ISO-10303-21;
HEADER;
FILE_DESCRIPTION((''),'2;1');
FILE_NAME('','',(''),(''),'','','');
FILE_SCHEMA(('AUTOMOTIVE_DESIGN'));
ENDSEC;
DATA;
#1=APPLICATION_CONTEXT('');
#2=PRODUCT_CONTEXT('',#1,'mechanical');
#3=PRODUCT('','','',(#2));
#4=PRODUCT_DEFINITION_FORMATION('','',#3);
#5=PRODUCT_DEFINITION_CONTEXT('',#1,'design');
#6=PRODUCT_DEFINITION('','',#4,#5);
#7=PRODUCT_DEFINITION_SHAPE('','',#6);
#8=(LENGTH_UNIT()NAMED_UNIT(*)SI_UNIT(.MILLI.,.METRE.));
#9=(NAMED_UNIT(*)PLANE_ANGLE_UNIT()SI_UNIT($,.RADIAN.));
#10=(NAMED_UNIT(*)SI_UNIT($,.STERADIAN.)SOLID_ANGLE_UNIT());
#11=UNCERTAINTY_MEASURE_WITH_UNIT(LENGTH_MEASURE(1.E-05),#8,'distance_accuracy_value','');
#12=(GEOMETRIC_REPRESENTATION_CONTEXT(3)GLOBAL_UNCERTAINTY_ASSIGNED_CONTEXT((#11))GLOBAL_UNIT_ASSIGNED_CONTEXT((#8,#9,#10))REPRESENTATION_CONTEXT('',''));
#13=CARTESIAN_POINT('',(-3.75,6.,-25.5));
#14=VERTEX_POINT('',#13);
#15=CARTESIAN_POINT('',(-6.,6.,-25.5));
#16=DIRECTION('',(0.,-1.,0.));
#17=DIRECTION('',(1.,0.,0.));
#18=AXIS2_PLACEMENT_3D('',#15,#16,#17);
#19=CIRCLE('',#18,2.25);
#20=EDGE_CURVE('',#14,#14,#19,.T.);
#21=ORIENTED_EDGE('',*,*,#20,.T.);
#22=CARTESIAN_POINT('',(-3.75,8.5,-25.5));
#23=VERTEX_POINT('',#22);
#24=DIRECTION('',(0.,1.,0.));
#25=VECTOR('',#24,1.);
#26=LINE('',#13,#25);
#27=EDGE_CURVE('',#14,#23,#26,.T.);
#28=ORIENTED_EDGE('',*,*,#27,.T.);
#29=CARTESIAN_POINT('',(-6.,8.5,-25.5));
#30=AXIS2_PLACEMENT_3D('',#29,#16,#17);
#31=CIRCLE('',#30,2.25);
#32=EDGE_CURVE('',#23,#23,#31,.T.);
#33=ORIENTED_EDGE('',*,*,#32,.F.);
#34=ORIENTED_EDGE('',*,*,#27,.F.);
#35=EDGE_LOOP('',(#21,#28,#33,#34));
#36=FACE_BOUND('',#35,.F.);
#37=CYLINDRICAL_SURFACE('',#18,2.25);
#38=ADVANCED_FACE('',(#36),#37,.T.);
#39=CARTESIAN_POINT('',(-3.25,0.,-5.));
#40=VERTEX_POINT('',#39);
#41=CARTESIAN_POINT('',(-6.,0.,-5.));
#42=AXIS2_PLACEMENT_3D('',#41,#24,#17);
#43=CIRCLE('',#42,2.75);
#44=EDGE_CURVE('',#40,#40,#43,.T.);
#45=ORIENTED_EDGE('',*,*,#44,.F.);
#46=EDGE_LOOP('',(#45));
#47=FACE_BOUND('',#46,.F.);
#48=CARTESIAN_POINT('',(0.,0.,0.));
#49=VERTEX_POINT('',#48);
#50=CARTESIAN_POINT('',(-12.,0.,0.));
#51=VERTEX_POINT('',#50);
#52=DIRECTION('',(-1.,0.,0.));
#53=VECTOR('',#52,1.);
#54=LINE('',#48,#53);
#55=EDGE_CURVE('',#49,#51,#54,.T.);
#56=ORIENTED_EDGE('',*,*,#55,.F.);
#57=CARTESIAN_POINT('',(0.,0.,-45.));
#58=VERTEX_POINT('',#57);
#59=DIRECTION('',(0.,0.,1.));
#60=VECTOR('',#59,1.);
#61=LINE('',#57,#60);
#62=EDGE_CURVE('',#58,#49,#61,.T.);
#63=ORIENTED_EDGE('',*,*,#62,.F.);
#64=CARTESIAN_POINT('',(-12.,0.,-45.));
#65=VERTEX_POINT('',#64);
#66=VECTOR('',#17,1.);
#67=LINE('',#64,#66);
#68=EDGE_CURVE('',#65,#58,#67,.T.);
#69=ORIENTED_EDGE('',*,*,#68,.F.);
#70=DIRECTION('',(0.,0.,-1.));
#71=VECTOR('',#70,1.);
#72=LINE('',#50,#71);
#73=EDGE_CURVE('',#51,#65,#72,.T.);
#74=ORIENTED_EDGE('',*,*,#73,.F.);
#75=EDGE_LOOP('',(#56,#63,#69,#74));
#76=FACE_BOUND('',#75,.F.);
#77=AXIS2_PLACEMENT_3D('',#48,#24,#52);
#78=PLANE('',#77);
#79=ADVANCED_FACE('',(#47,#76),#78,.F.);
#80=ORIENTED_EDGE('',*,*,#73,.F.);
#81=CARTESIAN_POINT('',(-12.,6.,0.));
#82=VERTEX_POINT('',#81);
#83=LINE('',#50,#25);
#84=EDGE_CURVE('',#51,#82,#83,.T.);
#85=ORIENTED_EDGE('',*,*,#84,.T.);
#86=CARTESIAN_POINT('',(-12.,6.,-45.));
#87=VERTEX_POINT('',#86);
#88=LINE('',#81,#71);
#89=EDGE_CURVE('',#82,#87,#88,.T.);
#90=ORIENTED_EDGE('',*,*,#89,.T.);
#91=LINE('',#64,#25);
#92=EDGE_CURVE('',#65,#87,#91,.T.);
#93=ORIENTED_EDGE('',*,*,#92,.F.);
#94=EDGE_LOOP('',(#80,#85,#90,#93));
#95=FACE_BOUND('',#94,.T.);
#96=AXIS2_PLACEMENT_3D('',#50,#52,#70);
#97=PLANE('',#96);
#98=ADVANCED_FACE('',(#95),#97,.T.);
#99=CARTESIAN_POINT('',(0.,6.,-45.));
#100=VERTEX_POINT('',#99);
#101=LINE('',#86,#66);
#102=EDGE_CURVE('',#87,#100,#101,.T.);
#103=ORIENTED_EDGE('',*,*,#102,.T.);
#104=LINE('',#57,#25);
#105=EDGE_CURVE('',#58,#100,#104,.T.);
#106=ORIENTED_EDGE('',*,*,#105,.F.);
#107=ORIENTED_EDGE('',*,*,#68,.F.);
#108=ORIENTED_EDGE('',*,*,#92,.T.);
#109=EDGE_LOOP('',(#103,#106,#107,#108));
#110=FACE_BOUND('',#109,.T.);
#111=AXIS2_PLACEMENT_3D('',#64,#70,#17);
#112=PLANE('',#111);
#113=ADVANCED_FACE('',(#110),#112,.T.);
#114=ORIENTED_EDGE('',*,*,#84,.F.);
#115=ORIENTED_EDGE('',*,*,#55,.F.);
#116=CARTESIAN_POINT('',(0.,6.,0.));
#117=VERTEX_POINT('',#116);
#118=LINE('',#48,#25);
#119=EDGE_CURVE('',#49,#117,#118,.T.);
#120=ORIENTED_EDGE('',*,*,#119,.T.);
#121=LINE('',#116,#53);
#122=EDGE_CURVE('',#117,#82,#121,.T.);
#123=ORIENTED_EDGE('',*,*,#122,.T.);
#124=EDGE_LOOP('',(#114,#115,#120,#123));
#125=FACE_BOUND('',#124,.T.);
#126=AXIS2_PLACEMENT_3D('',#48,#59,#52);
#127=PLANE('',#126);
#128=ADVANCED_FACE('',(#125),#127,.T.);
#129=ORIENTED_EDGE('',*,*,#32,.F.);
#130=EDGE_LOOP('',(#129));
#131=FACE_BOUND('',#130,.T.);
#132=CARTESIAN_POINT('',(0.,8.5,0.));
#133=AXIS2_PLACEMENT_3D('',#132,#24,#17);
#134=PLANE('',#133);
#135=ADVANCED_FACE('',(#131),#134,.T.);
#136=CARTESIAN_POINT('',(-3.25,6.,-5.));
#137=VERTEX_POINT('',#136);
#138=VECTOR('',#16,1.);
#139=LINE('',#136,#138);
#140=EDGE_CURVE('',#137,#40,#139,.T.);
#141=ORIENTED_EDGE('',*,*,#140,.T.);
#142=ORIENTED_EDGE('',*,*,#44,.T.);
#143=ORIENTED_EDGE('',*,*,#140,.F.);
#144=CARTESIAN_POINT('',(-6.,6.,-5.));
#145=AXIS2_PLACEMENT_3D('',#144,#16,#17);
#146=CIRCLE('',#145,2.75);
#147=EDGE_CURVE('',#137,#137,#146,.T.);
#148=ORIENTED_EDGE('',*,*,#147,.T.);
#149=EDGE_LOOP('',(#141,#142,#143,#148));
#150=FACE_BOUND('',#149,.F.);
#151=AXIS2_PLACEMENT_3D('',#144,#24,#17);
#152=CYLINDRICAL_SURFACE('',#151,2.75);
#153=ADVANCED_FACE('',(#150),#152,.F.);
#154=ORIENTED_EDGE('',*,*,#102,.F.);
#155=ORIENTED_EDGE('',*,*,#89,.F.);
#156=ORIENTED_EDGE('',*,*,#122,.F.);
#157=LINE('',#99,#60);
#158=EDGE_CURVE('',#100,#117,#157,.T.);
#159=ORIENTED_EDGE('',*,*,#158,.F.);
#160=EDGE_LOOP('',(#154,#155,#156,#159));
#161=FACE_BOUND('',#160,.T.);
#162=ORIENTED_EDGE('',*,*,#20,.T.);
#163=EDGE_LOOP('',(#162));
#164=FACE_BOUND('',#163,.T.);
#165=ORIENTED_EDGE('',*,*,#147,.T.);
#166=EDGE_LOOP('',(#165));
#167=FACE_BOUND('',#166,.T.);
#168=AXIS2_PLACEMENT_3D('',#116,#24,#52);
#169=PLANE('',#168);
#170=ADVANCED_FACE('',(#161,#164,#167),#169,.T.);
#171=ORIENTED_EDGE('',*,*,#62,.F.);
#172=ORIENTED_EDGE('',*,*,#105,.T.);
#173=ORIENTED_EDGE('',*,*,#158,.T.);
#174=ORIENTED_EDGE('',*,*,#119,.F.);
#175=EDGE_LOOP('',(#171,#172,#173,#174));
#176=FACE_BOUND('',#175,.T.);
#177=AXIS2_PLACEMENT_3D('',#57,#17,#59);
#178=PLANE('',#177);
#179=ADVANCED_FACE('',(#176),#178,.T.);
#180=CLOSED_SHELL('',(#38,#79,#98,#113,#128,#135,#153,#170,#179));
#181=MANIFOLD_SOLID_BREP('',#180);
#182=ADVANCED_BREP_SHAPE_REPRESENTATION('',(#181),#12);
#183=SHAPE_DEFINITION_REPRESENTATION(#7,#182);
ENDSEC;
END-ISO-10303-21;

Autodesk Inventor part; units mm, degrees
ref_plane "YZ Plane" through (0, 0, 0) normal (1, 0, 0) x (0, 1, 0)
ref_plane "XZ Plane" through (0, 0, 0) normal (0, 1, 0) x (-1, 0, 0)
ref_plane "XY Plane" through (0, 0, 0) normal (0, 0, 1) x (1, 0, 0)
sketch "Sketch1" plane through (0, 0, 0) normal (0, 1, 0) x (-1, 0, 0)
  line L0 (0, 0) -> (12, 0)
  line L1 (12, 0) -> (12, -45)
  line L2 (12, -45) -> (0, -45)
  line L3 (0, -45) -> (0, 0)
  dimension "d0" = 12
  dimension "d1" = 45
extrude "Extrusion1" add sketch "Sketch1" along normal blind 6
sketch "Sketch2" plane through (0, 6, 0) normal (0, 1, 0) x (1, 0, 0)
  line L0 (-12, 0) -> (0, 0) projected
  line L1 (-6, 0) -> (-6, 5)
  circle A0 centre (-6, 5) radius 2.75
  dimension "d4" = 5
  dimension "d5" = 5.5
extrude "Extrusion2" cut sketch "Sketch2" against normal blind 6
sketch "Sketch3" plane through (0, 6, 0) normal (0, 1, 0) x (1, 0, 0)
  circle A0 centre (-6, 5) radius 2.75 projected
  line L0 (-6, 5) -> (-6, 25.5)
  circle A1 centre (-6, 25.5) radius 2.25
  point P0 (0, 0)
  dimension "d8" = 20.5
  dimension "d9" = 4.5
extrude "Extrusion3" add sketch "Sketch3" along normal blind 2.5 contours A1
properties part number "limit_switch_upper_mount"
